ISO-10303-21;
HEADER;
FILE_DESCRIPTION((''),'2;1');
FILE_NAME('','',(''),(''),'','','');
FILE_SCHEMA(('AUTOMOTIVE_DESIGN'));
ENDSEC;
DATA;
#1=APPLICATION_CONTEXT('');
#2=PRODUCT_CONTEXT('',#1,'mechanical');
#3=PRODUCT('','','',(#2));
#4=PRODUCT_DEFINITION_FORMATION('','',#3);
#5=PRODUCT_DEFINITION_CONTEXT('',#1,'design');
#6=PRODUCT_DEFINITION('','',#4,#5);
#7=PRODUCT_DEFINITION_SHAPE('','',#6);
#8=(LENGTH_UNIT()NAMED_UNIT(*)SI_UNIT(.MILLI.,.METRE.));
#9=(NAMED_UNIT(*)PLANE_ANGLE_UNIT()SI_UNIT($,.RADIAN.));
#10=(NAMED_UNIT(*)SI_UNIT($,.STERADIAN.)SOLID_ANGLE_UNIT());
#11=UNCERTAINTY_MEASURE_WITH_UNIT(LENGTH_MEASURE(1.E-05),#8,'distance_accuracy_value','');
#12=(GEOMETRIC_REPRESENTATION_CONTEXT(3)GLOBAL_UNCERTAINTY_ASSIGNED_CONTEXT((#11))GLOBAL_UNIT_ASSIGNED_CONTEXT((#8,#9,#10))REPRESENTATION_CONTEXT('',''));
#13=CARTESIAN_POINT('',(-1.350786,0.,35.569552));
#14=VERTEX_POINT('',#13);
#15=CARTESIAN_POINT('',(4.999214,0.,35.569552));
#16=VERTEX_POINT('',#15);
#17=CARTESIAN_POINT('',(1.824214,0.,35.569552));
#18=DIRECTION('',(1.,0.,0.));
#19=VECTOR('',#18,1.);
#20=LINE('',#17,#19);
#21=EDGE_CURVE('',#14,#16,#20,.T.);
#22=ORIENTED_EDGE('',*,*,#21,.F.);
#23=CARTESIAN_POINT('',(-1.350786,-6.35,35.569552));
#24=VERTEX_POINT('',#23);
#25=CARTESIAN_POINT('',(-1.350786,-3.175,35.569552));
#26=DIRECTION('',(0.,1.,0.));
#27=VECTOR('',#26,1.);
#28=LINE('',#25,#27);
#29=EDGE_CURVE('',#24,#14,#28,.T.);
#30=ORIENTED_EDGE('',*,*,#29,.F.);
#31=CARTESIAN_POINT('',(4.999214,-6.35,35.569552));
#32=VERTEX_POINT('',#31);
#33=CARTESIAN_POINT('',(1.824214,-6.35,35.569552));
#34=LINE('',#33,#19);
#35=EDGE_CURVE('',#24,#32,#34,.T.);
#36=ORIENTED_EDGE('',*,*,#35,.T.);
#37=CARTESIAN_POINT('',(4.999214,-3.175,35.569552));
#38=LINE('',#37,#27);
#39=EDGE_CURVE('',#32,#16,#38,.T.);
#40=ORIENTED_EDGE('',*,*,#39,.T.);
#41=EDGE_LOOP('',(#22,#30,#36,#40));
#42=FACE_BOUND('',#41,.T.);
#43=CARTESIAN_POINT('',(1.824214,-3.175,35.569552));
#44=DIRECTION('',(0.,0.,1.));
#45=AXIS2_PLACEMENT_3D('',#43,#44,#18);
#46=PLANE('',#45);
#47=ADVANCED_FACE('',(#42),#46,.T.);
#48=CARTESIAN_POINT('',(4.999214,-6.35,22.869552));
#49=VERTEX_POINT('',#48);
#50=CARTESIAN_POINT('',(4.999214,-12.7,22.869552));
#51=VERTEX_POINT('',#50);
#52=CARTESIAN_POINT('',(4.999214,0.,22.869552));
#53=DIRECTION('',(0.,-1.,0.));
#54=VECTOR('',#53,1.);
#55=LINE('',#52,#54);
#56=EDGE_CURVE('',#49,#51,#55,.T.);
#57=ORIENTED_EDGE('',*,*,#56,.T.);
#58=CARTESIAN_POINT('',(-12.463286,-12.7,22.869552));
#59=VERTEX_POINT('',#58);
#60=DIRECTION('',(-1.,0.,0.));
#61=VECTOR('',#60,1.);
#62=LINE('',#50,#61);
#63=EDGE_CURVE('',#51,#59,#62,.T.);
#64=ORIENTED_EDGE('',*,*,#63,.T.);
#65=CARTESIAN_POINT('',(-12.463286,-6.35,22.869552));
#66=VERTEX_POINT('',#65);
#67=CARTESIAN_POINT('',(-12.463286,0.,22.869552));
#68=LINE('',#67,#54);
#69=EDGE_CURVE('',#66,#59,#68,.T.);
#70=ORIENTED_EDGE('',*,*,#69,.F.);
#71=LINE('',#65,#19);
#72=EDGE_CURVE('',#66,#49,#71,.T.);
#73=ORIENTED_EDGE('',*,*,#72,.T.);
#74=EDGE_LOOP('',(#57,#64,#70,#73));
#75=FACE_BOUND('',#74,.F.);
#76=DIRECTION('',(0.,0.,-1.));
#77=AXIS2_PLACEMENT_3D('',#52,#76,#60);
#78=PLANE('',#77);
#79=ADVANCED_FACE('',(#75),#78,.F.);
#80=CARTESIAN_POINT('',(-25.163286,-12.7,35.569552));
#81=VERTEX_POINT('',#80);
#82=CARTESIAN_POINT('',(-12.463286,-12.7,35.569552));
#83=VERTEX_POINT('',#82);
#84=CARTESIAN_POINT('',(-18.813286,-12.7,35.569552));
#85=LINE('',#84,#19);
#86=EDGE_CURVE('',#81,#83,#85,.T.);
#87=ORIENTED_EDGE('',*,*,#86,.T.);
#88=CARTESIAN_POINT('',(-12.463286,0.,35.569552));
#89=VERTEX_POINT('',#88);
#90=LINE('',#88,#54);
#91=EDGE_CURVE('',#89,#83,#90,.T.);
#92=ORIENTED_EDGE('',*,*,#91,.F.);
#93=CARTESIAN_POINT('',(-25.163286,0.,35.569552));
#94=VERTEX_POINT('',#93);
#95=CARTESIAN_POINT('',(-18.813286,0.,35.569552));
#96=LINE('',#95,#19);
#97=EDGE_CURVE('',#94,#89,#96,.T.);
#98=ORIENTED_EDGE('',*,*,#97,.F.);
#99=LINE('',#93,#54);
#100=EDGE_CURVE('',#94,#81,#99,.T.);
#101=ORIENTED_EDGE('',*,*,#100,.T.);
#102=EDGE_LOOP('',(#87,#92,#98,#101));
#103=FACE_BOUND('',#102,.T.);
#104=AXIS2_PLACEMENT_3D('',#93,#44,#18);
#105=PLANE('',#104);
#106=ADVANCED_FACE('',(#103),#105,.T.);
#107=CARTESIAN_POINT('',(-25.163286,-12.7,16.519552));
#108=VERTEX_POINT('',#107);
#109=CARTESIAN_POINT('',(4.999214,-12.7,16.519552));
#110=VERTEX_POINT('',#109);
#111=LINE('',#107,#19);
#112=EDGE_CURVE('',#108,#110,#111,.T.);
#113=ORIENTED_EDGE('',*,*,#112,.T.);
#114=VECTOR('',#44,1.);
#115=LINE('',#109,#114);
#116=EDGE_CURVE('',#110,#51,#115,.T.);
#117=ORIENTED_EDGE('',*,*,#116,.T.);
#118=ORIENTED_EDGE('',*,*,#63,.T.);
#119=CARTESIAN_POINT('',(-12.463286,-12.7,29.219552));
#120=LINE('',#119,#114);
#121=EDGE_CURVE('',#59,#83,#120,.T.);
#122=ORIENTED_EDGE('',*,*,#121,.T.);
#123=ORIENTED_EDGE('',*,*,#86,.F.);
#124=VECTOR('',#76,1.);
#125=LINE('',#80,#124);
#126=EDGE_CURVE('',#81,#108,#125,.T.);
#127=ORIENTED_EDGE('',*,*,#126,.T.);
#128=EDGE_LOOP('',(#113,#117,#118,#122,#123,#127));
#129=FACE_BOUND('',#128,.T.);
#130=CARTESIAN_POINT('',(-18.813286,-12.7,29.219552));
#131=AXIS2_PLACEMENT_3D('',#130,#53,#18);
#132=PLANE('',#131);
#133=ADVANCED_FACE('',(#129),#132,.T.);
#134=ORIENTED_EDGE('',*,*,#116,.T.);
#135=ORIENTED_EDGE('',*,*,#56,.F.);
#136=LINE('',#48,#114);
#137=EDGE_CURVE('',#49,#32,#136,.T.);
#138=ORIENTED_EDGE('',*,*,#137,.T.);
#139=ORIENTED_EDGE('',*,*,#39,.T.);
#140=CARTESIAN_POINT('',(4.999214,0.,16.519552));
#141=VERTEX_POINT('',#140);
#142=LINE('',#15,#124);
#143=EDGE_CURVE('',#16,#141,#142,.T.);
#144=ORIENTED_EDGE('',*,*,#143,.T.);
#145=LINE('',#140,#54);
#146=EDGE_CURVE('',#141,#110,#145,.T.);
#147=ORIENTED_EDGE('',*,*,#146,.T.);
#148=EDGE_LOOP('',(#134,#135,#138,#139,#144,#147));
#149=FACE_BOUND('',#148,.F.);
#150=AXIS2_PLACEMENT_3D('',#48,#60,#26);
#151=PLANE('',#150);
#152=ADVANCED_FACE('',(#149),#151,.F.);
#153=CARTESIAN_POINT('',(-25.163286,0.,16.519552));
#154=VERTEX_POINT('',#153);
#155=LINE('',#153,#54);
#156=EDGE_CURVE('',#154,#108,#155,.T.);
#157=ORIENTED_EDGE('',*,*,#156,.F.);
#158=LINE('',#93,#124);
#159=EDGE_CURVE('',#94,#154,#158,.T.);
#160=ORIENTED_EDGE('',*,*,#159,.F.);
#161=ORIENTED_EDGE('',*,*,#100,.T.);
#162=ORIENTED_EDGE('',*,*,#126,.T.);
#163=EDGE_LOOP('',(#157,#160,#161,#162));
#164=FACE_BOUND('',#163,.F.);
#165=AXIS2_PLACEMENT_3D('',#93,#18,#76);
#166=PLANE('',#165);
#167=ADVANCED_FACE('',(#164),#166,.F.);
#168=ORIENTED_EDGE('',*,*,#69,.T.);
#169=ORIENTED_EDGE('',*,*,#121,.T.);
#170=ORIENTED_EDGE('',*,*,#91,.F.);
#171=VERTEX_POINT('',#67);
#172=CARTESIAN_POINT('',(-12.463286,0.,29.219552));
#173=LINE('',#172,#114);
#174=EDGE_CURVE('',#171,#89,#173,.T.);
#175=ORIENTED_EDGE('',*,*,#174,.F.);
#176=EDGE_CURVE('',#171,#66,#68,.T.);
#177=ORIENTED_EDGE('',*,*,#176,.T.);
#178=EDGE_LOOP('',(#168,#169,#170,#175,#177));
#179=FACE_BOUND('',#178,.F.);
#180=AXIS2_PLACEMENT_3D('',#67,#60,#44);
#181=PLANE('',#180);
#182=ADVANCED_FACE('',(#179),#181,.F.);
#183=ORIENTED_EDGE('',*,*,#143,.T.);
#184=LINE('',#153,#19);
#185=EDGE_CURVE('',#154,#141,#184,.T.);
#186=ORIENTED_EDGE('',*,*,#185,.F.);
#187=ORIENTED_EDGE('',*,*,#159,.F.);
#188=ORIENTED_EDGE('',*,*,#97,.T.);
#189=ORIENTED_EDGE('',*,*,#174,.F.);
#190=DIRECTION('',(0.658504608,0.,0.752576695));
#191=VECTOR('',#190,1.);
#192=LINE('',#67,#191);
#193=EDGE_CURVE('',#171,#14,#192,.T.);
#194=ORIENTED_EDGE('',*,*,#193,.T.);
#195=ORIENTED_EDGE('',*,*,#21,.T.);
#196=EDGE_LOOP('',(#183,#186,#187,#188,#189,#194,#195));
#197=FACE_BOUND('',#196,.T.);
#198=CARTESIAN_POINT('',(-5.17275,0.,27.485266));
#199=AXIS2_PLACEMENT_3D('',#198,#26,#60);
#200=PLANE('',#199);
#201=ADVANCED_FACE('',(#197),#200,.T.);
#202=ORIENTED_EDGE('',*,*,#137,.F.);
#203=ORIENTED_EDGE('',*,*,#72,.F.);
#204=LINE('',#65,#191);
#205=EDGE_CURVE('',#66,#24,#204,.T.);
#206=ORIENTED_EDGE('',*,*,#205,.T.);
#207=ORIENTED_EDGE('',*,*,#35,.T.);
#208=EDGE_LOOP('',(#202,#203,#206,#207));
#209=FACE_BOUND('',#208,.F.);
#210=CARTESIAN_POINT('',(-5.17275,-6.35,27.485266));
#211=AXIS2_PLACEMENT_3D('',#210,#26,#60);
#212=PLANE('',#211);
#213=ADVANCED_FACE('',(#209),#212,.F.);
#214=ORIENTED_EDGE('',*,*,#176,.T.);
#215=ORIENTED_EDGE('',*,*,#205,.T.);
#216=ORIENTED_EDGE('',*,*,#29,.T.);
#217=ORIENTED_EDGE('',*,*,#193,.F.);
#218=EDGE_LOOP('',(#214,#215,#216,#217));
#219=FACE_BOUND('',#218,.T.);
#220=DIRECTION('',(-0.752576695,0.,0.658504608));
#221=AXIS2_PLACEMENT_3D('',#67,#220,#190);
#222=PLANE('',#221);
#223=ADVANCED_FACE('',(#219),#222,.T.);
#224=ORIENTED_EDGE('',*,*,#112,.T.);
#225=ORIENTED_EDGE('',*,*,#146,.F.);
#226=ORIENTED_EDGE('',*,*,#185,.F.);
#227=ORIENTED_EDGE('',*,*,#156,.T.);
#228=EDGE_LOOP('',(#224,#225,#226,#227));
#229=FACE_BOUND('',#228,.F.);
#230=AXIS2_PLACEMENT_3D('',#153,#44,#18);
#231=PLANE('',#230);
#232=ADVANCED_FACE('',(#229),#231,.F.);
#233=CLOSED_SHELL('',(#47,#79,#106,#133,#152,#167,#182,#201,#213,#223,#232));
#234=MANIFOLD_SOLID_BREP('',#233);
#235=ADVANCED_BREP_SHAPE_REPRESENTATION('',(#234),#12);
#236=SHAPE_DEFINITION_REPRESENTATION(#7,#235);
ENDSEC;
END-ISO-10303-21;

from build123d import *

# Parameters (mm, degrees)
F0_W     = 12.7
F0_H     = 12.7
F1_DEPTH = 12.7
F2_W     = 6.35
F2_H     = 6.35
F3_DEPTH = 12.7
F5_DEPTH = 6.35


with BuildPart() as f1:
    # F0 (on Front) → F1 (new body)
    with BuildSketch(Plane.XZ):
        with Locations((-18.813286, 29.219552)):
            Rectangle(F0_W, F0_H)
        Polygon((-12.463286, 22.869552), (-25.163286, 22.869552), (-25.163286, 16.519552), (4.999214, 16.519552), (4.999214, 22.869552), align=None)
    extrude(amount=F1_DEPTH)

    # F2 (on face) → F3 (join)
    with BuildSketch(Plane.XY.offset(22.869552)):
        with Locations((1.824214, -3.175)):
            Rectangle(F2_W, F2_H)
    extrude(amount=F3_DEPTH)

    # F4 (on face) → F5 (join)
    with BuildSketch(Plane(origin=(0, 0, 0), x_dir=(-1, 0, 0), z_dir=(0, 1, 0))):
        Polygon((12.463286, 22.869552), (1.350786, 35.569552), (1.350786, 22.869552), align=None)
    extrude(amount=-F5_DEPTH)


solid = f1.part
